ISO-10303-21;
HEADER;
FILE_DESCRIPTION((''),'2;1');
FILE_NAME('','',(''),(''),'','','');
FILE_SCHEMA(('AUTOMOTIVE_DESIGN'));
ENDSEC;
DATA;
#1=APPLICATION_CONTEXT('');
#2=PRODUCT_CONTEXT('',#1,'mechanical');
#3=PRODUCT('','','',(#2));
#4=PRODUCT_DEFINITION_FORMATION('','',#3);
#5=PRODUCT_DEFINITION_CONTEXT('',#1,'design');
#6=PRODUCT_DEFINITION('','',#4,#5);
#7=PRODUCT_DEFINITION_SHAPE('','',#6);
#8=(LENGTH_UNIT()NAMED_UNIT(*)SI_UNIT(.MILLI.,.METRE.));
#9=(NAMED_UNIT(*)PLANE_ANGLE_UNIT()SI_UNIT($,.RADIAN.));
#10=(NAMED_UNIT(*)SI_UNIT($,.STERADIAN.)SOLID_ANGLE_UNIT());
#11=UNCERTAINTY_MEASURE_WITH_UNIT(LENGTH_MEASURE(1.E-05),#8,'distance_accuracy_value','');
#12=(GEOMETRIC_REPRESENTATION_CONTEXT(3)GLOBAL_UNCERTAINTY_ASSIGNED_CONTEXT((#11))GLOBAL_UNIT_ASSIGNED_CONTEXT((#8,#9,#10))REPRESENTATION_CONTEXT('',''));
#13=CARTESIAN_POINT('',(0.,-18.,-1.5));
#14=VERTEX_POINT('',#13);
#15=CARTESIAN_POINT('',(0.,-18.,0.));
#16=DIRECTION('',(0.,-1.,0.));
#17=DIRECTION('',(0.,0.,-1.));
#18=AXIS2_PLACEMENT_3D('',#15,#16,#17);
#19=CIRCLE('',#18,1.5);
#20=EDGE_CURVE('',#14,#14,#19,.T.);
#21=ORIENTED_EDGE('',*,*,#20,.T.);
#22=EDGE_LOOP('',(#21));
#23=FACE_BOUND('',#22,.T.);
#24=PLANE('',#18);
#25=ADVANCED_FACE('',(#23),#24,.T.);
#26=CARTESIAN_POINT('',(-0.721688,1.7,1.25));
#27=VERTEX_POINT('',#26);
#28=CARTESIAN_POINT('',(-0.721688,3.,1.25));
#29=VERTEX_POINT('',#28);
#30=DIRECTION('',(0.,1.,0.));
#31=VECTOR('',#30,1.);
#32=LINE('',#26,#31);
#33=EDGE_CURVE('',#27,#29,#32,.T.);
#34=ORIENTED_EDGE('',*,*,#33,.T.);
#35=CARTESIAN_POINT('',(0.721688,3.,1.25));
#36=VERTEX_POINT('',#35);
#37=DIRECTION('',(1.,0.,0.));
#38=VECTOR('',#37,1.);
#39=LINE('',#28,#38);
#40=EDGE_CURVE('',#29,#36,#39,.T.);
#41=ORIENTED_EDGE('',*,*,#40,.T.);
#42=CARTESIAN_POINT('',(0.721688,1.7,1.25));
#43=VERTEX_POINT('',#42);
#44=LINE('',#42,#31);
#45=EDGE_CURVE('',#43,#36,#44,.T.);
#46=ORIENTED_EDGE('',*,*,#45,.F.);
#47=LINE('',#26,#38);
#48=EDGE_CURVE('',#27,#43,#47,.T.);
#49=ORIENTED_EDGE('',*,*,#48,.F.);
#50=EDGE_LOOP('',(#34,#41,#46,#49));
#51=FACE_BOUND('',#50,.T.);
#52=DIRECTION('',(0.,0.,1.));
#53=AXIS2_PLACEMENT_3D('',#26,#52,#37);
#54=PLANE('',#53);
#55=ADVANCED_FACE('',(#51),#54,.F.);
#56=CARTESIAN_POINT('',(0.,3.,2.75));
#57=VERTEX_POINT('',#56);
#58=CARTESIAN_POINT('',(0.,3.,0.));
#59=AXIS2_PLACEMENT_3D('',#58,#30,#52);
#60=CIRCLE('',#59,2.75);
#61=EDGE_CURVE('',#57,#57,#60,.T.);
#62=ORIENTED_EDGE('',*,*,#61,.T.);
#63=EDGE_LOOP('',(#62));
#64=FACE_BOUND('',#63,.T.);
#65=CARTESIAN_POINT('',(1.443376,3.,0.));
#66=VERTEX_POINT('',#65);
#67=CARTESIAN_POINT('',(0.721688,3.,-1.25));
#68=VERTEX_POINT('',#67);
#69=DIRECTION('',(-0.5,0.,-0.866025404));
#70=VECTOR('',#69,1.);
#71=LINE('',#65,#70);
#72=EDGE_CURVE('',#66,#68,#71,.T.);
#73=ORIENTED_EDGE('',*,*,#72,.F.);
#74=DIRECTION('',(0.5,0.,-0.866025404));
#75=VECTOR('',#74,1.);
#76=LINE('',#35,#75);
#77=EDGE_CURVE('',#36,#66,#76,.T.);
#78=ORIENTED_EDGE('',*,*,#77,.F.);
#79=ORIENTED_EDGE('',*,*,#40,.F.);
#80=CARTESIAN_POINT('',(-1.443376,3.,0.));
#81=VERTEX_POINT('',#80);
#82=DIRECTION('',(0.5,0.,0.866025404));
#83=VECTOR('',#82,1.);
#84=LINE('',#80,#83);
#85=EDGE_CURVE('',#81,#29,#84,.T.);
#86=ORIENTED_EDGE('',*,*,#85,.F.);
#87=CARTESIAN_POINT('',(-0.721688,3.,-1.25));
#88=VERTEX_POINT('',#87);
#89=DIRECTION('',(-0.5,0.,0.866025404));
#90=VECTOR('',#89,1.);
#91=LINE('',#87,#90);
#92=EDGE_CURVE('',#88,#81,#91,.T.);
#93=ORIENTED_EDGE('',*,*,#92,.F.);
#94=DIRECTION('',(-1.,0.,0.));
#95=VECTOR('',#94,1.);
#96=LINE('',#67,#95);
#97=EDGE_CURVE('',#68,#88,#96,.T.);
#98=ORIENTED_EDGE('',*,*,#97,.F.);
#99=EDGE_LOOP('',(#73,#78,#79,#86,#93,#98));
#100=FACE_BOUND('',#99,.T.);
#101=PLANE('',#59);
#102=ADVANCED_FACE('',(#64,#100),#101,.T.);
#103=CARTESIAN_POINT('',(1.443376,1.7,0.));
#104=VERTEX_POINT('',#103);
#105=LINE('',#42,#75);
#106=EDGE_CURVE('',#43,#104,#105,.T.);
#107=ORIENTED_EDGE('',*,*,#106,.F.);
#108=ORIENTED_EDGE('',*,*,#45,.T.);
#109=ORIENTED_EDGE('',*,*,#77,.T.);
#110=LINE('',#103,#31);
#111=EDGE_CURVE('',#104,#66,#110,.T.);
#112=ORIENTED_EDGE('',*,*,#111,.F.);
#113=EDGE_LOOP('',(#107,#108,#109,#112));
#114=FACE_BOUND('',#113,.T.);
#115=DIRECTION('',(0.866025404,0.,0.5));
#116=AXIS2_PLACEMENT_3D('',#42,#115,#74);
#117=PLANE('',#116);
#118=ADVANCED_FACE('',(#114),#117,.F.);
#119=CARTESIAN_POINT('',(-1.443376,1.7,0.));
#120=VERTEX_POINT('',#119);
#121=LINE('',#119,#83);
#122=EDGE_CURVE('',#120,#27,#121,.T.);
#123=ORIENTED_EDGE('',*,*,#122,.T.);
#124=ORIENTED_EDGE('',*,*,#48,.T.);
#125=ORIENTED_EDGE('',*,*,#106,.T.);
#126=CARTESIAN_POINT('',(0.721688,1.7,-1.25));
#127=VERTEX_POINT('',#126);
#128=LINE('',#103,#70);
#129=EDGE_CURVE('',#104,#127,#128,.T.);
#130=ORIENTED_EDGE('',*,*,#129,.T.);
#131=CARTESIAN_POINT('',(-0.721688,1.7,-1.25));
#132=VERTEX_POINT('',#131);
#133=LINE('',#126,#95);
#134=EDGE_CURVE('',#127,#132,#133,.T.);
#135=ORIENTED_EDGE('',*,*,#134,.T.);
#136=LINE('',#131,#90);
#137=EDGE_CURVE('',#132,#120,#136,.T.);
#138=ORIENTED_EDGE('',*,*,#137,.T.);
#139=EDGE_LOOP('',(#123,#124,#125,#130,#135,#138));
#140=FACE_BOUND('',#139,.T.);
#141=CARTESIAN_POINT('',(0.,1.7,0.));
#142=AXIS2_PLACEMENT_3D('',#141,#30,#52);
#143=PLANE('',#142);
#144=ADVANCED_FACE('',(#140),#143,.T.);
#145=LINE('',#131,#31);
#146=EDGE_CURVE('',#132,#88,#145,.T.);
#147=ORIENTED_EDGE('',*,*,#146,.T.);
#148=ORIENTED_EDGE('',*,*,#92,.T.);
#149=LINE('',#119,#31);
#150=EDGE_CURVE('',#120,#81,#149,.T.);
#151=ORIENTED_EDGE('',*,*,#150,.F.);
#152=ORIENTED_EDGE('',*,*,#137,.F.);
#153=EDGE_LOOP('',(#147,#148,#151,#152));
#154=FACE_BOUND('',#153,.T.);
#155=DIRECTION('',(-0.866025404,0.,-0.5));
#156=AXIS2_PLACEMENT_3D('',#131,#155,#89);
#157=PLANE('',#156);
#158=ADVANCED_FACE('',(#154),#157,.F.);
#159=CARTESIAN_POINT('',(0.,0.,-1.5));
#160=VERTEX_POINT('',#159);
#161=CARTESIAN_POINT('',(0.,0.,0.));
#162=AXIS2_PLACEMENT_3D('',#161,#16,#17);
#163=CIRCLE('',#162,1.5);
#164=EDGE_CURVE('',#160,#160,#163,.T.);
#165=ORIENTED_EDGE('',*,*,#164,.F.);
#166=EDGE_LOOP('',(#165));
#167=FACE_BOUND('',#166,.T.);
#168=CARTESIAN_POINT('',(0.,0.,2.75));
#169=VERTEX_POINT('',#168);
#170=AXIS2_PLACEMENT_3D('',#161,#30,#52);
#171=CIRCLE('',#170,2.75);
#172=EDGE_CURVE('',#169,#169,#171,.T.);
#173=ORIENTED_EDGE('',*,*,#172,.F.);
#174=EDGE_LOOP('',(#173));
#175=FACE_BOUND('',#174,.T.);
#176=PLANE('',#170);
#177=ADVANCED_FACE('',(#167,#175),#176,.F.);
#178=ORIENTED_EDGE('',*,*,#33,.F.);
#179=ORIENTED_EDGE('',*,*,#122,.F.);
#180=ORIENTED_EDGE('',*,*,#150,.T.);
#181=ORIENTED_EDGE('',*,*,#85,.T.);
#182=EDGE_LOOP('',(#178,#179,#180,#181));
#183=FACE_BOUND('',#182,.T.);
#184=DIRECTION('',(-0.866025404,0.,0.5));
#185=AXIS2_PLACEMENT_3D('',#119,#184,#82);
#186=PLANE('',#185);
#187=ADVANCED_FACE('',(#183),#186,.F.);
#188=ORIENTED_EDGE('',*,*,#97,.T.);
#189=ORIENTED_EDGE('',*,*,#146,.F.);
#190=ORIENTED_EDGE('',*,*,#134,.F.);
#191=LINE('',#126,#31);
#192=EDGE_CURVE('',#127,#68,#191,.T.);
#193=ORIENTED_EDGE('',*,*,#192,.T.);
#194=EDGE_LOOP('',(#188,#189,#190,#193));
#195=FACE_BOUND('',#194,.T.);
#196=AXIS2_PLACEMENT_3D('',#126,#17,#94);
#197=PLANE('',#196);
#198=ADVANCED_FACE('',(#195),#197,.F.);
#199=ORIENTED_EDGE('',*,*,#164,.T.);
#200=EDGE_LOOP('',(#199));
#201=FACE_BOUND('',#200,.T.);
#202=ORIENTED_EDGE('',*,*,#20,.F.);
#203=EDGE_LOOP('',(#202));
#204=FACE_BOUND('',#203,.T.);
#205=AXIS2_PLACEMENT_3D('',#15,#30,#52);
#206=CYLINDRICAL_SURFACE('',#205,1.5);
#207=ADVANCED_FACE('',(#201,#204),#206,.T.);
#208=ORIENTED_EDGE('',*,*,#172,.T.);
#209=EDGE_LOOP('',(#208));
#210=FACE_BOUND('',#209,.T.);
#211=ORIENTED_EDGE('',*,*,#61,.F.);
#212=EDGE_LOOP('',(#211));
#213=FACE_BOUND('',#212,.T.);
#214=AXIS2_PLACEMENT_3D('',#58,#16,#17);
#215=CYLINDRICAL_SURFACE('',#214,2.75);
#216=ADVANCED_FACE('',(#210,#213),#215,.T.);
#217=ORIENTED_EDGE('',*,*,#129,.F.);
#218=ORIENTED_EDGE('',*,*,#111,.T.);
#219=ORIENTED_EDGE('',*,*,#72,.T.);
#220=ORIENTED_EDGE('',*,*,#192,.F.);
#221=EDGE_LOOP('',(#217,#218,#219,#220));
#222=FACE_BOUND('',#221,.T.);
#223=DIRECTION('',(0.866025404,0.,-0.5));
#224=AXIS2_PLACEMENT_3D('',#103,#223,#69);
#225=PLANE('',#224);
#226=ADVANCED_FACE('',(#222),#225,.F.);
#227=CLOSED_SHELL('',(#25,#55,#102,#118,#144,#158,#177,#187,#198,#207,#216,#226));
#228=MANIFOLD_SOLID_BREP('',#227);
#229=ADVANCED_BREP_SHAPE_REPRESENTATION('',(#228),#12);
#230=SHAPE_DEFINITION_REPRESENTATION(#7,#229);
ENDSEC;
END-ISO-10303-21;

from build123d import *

# Parameters (mm, degrees)
SKETCH_1_R            = 2.75
EXTRUDE_248_DEPTH     = 3
CUT_EXTRUDE_378_DEPTH = 1.3
SKETCH_3_R            = 1.5
EXTRUDE_479_DEPTH     = 18


with BuildPart() as part:
    # 草图1 → Extrude 248 (new body)
    with BuildSketch(Plane(origin=(0, 0, 0), x_dir=(1, 0, 0), z_dir=(0, 1, 0))):
        Circle(SKETCH_1_R)
    extrude(amount=EXTRUDE_248_DEPTH)

    # 草图2 → Cut-Extrude 378 (cut)
    with BuildSketch(Plane(origin=(0, 3, 0), x_dir=(1, 0, 0), z_dir=(0, 1, 0))):
        Polygon((1.443375673, 0), (0.721687836, 1.25), (-0.721687836, 1.25), (-1.443375673, 0), (-0.721687836, -1.25), (0.721687836, -1.25), align=None)
    extrude(amount=-CUT_EXTRUDE_378_DEPTH, mode=Mode.SUBTRACT)

    # 草图3 → Extrude 479 (add)
    with BuildSketch(Plane.XZ):
        Circle(SKETCH_3_R)
    extrude(amount=EXTRUDE_479_DEPTH)


solid = part.part
